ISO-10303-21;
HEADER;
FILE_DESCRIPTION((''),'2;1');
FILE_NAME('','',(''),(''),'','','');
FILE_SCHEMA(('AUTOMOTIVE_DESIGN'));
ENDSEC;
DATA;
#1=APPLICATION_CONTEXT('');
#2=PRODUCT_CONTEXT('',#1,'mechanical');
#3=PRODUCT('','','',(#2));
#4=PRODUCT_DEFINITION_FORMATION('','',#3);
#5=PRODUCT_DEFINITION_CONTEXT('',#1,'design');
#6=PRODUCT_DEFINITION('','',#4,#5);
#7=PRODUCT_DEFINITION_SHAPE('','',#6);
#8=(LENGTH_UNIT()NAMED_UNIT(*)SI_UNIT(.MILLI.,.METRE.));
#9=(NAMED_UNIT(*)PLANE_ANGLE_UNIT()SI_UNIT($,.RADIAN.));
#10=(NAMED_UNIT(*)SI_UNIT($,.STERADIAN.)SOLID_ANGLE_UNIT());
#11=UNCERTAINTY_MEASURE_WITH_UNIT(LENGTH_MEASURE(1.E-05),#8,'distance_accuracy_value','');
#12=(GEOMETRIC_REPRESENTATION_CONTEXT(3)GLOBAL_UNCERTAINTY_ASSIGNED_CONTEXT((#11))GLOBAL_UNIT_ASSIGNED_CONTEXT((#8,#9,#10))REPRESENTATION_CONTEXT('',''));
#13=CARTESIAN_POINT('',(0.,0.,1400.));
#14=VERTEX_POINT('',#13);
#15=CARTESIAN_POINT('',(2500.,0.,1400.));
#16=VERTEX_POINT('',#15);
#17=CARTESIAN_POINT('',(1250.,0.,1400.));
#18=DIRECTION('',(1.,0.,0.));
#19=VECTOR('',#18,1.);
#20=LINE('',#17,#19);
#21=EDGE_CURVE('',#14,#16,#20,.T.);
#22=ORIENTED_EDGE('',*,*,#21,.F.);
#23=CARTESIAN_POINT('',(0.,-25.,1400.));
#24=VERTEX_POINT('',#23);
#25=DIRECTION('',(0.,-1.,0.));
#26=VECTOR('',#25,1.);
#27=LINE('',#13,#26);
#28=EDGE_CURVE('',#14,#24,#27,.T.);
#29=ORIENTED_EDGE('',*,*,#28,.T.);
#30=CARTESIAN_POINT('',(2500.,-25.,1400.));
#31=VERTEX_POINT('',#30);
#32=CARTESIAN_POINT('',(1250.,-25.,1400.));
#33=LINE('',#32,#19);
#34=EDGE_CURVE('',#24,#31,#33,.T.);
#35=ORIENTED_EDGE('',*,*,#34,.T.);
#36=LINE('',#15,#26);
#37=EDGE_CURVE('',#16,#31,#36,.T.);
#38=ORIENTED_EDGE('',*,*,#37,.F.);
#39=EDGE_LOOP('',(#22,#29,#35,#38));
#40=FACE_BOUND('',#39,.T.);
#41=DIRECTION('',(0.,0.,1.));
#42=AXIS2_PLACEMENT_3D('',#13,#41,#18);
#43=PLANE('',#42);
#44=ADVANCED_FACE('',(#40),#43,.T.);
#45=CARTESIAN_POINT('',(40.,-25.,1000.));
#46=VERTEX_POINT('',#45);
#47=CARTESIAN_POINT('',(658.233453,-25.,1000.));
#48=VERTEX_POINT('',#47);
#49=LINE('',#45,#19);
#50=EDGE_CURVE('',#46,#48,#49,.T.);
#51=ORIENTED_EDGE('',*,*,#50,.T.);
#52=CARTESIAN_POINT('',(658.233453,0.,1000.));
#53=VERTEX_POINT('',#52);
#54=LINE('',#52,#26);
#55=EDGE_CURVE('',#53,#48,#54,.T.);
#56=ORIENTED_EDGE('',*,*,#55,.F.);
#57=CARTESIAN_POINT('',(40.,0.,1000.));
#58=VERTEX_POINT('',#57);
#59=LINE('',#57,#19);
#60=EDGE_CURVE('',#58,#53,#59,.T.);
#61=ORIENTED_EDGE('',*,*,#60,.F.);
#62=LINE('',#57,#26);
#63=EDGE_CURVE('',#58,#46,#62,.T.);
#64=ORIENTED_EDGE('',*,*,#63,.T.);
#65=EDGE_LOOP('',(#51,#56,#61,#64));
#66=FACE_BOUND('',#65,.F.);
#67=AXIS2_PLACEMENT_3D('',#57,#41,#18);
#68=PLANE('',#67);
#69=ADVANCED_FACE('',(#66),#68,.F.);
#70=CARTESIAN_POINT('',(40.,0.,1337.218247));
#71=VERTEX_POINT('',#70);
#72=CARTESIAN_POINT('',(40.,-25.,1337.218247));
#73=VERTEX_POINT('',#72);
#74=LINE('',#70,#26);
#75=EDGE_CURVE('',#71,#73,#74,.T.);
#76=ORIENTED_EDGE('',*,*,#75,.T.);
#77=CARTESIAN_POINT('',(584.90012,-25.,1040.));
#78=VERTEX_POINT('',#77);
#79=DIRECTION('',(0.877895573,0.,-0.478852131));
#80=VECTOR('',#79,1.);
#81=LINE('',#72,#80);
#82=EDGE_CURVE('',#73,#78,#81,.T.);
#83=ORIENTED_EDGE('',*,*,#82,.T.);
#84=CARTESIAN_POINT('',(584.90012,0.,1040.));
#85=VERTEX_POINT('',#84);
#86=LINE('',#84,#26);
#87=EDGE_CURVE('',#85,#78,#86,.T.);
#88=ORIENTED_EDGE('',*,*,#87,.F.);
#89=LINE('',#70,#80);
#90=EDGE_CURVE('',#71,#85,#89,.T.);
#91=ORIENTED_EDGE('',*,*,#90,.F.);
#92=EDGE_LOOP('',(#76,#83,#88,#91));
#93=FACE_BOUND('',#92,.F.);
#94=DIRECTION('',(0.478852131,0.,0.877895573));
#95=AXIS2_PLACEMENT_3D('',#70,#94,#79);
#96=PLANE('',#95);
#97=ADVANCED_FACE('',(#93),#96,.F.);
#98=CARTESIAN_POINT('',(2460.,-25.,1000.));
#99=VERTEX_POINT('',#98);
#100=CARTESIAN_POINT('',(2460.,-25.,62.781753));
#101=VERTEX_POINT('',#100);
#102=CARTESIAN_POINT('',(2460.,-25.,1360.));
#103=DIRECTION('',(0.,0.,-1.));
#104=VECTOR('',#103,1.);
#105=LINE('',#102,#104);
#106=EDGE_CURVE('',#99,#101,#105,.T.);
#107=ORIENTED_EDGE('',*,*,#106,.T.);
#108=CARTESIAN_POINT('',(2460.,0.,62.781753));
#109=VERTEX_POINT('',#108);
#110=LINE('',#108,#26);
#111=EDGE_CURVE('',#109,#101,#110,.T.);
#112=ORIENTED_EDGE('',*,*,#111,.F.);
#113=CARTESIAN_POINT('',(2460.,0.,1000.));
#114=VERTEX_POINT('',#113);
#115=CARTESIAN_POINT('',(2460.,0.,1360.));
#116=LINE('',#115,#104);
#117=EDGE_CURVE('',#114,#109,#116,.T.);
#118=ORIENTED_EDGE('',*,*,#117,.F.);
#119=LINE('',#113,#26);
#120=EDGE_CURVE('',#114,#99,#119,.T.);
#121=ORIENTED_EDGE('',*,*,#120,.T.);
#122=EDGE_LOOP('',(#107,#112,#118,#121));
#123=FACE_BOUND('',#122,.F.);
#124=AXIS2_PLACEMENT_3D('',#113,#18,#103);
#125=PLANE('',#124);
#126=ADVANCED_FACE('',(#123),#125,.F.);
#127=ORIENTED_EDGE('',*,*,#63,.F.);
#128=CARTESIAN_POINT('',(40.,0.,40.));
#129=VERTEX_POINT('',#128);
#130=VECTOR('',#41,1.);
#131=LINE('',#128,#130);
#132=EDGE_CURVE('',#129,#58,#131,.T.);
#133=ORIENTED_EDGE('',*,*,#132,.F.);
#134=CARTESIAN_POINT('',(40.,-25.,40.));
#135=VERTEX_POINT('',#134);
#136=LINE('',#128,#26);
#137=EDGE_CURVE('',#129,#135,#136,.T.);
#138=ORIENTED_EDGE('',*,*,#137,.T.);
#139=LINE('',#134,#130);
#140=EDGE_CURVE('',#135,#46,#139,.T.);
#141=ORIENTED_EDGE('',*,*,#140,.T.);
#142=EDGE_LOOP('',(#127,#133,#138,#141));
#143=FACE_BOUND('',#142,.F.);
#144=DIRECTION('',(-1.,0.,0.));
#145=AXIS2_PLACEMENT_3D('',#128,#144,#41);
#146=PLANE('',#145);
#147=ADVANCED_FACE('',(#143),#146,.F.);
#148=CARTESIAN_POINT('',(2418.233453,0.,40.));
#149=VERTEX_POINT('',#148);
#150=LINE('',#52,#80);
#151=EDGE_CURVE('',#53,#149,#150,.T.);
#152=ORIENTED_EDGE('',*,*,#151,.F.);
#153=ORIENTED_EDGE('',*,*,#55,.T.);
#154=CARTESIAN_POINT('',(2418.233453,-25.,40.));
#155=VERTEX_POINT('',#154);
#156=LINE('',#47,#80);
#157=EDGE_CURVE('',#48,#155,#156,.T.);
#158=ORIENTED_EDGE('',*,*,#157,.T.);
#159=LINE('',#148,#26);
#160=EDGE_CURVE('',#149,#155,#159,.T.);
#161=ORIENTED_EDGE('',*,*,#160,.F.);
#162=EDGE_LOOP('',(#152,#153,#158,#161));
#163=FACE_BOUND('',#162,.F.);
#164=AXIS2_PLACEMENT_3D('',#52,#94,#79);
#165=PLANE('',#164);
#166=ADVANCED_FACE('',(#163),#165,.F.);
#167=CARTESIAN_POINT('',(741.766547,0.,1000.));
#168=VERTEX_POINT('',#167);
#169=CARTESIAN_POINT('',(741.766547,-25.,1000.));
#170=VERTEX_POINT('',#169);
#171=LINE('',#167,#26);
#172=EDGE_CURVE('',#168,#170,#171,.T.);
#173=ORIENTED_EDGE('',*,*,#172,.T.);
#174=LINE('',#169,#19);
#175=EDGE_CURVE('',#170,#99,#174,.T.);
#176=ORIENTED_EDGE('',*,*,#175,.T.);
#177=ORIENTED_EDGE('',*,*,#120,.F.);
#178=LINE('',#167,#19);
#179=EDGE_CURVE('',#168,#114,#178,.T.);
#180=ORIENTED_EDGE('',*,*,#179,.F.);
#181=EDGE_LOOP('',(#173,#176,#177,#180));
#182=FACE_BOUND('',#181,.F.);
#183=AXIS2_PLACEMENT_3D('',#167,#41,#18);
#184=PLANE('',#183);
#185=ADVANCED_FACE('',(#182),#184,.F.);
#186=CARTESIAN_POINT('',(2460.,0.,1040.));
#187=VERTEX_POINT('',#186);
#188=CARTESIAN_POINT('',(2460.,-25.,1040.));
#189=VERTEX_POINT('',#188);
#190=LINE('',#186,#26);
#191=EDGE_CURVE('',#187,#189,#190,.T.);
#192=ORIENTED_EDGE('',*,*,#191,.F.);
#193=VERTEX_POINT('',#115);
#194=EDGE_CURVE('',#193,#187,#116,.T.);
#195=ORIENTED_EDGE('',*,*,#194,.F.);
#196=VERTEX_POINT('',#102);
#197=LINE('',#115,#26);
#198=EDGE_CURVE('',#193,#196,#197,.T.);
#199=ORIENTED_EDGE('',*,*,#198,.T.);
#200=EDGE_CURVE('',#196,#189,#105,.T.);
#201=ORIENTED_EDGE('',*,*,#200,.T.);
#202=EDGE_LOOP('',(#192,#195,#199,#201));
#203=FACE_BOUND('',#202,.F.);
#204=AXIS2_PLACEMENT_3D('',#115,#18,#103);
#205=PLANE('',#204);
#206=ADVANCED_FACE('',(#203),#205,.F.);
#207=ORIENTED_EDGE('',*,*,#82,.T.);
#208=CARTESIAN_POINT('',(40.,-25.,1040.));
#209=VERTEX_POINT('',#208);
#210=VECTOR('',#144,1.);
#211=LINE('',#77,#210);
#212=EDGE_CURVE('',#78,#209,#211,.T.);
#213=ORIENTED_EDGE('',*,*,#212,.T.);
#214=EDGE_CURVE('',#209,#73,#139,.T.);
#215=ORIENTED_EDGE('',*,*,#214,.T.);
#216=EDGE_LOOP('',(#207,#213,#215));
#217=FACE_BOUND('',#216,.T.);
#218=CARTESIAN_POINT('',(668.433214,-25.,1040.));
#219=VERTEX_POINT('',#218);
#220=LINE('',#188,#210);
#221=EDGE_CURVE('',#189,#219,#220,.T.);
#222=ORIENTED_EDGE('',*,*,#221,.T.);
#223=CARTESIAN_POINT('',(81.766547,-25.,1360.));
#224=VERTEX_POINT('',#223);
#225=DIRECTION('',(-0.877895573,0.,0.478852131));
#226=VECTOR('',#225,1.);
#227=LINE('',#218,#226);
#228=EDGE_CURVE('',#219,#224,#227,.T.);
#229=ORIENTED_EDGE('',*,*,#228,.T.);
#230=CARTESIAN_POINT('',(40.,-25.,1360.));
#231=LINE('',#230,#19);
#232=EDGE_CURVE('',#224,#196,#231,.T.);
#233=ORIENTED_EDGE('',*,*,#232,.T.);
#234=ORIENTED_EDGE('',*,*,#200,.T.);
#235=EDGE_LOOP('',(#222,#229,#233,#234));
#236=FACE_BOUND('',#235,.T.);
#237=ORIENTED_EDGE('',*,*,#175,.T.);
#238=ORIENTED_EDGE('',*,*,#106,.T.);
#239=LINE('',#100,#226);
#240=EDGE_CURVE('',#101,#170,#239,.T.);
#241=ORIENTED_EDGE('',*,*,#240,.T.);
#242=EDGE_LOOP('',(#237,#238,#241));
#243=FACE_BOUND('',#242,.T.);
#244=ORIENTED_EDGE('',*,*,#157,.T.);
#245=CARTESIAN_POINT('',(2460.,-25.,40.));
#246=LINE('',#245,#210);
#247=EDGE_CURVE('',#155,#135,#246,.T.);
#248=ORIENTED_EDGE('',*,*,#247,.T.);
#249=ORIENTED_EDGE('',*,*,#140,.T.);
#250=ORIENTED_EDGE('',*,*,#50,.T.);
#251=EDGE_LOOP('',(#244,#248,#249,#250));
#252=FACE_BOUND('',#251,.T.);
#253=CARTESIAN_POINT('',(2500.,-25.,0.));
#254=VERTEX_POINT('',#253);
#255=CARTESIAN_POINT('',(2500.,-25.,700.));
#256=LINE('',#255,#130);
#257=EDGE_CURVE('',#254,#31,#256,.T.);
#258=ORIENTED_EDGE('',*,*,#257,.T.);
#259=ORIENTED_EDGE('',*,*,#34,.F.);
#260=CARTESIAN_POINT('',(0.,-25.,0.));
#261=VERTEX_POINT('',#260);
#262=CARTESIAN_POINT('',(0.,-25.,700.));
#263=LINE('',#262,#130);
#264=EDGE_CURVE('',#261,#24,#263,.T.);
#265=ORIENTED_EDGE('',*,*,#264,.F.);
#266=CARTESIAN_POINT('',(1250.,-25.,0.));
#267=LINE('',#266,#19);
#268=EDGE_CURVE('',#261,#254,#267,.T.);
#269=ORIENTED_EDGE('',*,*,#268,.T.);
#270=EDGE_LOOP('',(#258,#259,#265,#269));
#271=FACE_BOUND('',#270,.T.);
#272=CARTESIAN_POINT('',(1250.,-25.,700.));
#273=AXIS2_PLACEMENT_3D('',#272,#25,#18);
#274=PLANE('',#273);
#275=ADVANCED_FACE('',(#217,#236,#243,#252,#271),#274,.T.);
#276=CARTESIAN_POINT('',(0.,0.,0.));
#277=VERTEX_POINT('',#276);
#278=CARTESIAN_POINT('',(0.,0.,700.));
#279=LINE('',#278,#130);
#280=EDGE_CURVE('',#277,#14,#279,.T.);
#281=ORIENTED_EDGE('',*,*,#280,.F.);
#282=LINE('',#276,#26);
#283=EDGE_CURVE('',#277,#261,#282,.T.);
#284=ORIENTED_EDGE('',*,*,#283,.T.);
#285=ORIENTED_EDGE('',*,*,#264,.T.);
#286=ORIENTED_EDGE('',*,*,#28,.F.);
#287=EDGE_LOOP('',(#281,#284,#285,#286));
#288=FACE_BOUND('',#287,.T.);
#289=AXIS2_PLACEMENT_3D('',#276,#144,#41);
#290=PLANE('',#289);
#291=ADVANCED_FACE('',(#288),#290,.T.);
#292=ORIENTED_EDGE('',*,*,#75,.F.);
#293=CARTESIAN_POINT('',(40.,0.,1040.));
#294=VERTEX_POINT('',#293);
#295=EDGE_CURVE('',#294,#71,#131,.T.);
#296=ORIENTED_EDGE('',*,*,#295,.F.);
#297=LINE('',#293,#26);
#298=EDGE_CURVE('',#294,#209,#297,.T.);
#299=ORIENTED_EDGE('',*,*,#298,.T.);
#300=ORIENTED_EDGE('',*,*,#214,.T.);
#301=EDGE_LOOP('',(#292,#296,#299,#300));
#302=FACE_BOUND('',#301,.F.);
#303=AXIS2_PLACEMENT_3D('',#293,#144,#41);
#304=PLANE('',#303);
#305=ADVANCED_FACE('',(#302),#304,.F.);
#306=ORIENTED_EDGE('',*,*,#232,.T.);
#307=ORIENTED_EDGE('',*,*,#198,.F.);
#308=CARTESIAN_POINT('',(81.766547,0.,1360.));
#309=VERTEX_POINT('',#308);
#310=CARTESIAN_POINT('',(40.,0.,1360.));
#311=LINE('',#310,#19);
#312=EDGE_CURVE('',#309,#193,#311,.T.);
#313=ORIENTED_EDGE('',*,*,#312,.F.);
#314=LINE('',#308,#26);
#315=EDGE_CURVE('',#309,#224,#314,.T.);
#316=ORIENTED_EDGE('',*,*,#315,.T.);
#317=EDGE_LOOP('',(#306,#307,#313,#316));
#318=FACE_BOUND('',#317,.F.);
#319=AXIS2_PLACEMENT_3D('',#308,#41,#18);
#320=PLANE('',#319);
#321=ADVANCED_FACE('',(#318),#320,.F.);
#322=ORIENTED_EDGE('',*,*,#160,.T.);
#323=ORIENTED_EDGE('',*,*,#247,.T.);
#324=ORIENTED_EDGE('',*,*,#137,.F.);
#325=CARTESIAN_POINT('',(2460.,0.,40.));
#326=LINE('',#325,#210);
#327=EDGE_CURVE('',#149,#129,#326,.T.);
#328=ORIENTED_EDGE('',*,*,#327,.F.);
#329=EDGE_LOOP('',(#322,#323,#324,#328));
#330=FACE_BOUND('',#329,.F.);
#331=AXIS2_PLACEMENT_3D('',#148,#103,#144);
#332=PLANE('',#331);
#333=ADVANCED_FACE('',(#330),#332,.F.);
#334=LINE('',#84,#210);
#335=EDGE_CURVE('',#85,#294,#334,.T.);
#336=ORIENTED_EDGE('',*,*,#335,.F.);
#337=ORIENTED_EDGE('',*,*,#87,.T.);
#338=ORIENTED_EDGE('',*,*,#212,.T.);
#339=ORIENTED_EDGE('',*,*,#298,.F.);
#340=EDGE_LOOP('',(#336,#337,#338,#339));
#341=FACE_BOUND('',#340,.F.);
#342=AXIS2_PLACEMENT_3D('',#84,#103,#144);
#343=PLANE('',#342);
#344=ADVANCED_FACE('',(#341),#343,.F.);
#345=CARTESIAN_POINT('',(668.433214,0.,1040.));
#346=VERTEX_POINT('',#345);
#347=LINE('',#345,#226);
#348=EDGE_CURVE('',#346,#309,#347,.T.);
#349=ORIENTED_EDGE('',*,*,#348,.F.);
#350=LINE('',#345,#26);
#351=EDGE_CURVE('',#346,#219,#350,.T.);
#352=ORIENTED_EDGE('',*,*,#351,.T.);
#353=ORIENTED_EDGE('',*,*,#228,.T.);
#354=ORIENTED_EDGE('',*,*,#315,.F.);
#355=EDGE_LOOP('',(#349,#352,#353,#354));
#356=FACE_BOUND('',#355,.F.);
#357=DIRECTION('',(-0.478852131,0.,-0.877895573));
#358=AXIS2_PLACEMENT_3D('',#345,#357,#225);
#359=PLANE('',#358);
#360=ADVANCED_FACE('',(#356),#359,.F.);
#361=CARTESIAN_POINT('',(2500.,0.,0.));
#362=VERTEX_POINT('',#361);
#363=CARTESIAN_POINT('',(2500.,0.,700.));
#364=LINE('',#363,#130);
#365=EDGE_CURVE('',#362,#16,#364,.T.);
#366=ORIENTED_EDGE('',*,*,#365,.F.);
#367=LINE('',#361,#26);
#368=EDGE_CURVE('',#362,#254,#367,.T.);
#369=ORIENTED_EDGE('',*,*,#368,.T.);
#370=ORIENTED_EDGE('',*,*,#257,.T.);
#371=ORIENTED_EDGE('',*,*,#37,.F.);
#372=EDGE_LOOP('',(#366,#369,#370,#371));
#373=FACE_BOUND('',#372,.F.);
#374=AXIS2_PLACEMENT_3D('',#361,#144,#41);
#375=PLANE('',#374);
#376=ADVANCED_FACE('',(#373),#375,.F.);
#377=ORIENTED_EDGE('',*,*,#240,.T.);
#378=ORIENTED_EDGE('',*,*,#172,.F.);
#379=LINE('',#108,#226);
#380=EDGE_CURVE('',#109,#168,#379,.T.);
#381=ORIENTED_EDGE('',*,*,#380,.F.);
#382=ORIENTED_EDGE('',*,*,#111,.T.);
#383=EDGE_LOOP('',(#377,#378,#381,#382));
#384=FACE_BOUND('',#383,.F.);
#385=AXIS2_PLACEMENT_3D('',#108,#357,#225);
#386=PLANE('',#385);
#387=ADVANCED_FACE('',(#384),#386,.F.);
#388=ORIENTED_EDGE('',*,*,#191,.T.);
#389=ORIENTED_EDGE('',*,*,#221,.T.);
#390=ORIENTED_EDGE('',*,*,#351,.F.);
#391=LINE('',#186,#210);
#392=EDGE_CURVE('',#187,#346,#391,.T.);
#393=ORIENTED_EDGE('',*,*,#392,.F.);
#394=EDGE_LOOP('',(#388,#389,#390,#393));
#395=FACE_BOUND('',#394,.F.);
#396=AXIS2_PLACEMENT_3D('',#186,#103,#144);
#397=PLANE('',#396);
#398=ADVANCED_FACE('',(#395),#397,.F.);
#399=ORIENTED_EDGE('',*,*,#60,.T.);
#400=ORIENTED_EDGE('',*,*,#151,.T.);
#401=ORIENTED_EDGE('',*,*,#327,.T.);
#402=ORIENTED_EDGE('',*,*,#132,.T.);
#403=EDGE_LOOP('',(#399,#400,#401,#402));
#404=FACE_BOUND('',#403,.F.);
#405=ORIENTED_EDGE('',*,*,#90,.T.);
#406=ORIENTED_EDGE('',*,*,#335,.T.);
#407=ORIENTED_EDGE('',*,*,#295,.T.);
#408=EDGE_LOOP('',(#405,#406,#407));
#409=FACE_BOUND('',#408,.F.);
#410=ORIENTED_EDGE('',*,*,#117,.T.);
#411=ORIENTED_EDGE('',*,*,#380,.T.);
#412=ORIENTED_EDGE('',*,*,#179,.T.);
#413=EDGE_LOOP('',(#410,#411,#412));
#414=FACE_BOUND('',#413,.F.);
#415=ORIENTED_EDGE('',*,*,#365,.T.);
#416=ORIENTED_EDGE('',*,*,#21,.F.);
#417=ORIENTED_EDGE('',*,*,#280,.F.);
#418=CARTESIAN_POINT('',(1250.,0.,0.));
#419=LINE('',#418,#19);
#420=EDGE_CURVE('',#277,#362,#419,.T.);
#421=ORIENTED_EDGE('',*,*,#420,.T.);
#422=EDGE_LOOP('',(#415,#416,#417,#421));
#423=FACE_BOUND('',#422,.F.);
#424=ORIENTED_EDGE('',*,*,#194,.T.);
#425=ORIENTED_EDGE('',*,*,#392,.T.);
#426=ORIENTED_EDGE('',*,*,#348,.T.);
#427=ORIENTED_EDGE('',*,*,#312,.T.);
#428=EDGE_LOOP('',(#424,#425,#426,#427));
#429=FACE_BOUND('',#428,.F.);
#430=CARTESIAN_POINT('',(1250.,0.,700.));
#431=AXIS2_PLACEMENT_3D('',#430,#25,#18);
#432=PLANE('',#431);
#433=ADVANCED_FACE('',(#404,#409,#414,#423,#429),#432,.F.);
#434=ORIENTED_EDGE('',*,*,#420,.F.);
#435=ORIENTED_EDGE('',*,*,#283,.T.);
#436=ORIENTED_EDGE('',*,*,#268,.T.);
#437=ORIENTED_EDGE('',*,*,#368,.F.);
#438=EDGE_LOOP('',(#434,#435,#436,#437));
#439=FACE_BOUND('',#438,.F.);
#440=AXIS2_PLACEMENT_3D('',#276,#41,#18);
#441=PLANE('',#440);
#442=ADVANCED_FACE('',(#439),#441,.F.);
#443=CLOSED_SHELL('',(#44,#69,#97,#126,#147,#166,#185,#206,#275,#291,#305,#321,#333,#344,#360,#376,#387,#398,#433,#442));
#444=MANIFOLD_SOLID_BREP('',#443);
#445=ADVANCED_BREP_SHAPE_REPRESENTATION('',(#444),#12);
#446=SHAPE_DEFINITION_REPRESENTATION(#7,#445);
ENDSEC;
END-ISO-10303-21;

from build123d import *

# Parameters (mm, degrees)
F0_W     = 2500
F0_H     = 1400
F1_DEPTH = 25


with BuildPart() as f1:
    # F0 (on Front) → F1 (new body)
    with BuildSketch(Plane.XZ):
        with Locations((1250, 700)):
            Rectangle(F0_W, F0_H)
        Polygon((40, 1337.2182471161), (40, 1360), (81.7665469538, 1360), (2460, 1360), (2460, 1040), (2460, 1000), (2460, 62.7817528839), (2460, 40), (2418.2334530462, 40), (40, 40), (40, 1000), (40, 1040), align=None, mode=Mode.SUBTRACT)
        Polygon((2460, 62.7817528839), (741.7665469538, 1000), (658.2334530462, 1000), (2418.2334530462, 40), (2460, 40), align=None)
        Polygon((2460, 1040), (668.4332136205, 1040), (741.7665469538, 1000), (2460, 1000), align=None)
        Polygon((81.7665469538, 1360), (40, 1360), (40, 1337.2182471161), (584.9001197129, 1040), (668.4332136205, 1040), align=None)
        Polygon((584.9001197129, 1040), (40, 1040), (40, 1000), (658.2334530462, 1000), align=None)
        Polygon((741.7665469538, 1000), (668.4332136205, 1040), (584.9001197129, 1040), (658.2334530462, 1000), align=None)
    extrude(amount=F1_DEPTH)


solid = f1.part
